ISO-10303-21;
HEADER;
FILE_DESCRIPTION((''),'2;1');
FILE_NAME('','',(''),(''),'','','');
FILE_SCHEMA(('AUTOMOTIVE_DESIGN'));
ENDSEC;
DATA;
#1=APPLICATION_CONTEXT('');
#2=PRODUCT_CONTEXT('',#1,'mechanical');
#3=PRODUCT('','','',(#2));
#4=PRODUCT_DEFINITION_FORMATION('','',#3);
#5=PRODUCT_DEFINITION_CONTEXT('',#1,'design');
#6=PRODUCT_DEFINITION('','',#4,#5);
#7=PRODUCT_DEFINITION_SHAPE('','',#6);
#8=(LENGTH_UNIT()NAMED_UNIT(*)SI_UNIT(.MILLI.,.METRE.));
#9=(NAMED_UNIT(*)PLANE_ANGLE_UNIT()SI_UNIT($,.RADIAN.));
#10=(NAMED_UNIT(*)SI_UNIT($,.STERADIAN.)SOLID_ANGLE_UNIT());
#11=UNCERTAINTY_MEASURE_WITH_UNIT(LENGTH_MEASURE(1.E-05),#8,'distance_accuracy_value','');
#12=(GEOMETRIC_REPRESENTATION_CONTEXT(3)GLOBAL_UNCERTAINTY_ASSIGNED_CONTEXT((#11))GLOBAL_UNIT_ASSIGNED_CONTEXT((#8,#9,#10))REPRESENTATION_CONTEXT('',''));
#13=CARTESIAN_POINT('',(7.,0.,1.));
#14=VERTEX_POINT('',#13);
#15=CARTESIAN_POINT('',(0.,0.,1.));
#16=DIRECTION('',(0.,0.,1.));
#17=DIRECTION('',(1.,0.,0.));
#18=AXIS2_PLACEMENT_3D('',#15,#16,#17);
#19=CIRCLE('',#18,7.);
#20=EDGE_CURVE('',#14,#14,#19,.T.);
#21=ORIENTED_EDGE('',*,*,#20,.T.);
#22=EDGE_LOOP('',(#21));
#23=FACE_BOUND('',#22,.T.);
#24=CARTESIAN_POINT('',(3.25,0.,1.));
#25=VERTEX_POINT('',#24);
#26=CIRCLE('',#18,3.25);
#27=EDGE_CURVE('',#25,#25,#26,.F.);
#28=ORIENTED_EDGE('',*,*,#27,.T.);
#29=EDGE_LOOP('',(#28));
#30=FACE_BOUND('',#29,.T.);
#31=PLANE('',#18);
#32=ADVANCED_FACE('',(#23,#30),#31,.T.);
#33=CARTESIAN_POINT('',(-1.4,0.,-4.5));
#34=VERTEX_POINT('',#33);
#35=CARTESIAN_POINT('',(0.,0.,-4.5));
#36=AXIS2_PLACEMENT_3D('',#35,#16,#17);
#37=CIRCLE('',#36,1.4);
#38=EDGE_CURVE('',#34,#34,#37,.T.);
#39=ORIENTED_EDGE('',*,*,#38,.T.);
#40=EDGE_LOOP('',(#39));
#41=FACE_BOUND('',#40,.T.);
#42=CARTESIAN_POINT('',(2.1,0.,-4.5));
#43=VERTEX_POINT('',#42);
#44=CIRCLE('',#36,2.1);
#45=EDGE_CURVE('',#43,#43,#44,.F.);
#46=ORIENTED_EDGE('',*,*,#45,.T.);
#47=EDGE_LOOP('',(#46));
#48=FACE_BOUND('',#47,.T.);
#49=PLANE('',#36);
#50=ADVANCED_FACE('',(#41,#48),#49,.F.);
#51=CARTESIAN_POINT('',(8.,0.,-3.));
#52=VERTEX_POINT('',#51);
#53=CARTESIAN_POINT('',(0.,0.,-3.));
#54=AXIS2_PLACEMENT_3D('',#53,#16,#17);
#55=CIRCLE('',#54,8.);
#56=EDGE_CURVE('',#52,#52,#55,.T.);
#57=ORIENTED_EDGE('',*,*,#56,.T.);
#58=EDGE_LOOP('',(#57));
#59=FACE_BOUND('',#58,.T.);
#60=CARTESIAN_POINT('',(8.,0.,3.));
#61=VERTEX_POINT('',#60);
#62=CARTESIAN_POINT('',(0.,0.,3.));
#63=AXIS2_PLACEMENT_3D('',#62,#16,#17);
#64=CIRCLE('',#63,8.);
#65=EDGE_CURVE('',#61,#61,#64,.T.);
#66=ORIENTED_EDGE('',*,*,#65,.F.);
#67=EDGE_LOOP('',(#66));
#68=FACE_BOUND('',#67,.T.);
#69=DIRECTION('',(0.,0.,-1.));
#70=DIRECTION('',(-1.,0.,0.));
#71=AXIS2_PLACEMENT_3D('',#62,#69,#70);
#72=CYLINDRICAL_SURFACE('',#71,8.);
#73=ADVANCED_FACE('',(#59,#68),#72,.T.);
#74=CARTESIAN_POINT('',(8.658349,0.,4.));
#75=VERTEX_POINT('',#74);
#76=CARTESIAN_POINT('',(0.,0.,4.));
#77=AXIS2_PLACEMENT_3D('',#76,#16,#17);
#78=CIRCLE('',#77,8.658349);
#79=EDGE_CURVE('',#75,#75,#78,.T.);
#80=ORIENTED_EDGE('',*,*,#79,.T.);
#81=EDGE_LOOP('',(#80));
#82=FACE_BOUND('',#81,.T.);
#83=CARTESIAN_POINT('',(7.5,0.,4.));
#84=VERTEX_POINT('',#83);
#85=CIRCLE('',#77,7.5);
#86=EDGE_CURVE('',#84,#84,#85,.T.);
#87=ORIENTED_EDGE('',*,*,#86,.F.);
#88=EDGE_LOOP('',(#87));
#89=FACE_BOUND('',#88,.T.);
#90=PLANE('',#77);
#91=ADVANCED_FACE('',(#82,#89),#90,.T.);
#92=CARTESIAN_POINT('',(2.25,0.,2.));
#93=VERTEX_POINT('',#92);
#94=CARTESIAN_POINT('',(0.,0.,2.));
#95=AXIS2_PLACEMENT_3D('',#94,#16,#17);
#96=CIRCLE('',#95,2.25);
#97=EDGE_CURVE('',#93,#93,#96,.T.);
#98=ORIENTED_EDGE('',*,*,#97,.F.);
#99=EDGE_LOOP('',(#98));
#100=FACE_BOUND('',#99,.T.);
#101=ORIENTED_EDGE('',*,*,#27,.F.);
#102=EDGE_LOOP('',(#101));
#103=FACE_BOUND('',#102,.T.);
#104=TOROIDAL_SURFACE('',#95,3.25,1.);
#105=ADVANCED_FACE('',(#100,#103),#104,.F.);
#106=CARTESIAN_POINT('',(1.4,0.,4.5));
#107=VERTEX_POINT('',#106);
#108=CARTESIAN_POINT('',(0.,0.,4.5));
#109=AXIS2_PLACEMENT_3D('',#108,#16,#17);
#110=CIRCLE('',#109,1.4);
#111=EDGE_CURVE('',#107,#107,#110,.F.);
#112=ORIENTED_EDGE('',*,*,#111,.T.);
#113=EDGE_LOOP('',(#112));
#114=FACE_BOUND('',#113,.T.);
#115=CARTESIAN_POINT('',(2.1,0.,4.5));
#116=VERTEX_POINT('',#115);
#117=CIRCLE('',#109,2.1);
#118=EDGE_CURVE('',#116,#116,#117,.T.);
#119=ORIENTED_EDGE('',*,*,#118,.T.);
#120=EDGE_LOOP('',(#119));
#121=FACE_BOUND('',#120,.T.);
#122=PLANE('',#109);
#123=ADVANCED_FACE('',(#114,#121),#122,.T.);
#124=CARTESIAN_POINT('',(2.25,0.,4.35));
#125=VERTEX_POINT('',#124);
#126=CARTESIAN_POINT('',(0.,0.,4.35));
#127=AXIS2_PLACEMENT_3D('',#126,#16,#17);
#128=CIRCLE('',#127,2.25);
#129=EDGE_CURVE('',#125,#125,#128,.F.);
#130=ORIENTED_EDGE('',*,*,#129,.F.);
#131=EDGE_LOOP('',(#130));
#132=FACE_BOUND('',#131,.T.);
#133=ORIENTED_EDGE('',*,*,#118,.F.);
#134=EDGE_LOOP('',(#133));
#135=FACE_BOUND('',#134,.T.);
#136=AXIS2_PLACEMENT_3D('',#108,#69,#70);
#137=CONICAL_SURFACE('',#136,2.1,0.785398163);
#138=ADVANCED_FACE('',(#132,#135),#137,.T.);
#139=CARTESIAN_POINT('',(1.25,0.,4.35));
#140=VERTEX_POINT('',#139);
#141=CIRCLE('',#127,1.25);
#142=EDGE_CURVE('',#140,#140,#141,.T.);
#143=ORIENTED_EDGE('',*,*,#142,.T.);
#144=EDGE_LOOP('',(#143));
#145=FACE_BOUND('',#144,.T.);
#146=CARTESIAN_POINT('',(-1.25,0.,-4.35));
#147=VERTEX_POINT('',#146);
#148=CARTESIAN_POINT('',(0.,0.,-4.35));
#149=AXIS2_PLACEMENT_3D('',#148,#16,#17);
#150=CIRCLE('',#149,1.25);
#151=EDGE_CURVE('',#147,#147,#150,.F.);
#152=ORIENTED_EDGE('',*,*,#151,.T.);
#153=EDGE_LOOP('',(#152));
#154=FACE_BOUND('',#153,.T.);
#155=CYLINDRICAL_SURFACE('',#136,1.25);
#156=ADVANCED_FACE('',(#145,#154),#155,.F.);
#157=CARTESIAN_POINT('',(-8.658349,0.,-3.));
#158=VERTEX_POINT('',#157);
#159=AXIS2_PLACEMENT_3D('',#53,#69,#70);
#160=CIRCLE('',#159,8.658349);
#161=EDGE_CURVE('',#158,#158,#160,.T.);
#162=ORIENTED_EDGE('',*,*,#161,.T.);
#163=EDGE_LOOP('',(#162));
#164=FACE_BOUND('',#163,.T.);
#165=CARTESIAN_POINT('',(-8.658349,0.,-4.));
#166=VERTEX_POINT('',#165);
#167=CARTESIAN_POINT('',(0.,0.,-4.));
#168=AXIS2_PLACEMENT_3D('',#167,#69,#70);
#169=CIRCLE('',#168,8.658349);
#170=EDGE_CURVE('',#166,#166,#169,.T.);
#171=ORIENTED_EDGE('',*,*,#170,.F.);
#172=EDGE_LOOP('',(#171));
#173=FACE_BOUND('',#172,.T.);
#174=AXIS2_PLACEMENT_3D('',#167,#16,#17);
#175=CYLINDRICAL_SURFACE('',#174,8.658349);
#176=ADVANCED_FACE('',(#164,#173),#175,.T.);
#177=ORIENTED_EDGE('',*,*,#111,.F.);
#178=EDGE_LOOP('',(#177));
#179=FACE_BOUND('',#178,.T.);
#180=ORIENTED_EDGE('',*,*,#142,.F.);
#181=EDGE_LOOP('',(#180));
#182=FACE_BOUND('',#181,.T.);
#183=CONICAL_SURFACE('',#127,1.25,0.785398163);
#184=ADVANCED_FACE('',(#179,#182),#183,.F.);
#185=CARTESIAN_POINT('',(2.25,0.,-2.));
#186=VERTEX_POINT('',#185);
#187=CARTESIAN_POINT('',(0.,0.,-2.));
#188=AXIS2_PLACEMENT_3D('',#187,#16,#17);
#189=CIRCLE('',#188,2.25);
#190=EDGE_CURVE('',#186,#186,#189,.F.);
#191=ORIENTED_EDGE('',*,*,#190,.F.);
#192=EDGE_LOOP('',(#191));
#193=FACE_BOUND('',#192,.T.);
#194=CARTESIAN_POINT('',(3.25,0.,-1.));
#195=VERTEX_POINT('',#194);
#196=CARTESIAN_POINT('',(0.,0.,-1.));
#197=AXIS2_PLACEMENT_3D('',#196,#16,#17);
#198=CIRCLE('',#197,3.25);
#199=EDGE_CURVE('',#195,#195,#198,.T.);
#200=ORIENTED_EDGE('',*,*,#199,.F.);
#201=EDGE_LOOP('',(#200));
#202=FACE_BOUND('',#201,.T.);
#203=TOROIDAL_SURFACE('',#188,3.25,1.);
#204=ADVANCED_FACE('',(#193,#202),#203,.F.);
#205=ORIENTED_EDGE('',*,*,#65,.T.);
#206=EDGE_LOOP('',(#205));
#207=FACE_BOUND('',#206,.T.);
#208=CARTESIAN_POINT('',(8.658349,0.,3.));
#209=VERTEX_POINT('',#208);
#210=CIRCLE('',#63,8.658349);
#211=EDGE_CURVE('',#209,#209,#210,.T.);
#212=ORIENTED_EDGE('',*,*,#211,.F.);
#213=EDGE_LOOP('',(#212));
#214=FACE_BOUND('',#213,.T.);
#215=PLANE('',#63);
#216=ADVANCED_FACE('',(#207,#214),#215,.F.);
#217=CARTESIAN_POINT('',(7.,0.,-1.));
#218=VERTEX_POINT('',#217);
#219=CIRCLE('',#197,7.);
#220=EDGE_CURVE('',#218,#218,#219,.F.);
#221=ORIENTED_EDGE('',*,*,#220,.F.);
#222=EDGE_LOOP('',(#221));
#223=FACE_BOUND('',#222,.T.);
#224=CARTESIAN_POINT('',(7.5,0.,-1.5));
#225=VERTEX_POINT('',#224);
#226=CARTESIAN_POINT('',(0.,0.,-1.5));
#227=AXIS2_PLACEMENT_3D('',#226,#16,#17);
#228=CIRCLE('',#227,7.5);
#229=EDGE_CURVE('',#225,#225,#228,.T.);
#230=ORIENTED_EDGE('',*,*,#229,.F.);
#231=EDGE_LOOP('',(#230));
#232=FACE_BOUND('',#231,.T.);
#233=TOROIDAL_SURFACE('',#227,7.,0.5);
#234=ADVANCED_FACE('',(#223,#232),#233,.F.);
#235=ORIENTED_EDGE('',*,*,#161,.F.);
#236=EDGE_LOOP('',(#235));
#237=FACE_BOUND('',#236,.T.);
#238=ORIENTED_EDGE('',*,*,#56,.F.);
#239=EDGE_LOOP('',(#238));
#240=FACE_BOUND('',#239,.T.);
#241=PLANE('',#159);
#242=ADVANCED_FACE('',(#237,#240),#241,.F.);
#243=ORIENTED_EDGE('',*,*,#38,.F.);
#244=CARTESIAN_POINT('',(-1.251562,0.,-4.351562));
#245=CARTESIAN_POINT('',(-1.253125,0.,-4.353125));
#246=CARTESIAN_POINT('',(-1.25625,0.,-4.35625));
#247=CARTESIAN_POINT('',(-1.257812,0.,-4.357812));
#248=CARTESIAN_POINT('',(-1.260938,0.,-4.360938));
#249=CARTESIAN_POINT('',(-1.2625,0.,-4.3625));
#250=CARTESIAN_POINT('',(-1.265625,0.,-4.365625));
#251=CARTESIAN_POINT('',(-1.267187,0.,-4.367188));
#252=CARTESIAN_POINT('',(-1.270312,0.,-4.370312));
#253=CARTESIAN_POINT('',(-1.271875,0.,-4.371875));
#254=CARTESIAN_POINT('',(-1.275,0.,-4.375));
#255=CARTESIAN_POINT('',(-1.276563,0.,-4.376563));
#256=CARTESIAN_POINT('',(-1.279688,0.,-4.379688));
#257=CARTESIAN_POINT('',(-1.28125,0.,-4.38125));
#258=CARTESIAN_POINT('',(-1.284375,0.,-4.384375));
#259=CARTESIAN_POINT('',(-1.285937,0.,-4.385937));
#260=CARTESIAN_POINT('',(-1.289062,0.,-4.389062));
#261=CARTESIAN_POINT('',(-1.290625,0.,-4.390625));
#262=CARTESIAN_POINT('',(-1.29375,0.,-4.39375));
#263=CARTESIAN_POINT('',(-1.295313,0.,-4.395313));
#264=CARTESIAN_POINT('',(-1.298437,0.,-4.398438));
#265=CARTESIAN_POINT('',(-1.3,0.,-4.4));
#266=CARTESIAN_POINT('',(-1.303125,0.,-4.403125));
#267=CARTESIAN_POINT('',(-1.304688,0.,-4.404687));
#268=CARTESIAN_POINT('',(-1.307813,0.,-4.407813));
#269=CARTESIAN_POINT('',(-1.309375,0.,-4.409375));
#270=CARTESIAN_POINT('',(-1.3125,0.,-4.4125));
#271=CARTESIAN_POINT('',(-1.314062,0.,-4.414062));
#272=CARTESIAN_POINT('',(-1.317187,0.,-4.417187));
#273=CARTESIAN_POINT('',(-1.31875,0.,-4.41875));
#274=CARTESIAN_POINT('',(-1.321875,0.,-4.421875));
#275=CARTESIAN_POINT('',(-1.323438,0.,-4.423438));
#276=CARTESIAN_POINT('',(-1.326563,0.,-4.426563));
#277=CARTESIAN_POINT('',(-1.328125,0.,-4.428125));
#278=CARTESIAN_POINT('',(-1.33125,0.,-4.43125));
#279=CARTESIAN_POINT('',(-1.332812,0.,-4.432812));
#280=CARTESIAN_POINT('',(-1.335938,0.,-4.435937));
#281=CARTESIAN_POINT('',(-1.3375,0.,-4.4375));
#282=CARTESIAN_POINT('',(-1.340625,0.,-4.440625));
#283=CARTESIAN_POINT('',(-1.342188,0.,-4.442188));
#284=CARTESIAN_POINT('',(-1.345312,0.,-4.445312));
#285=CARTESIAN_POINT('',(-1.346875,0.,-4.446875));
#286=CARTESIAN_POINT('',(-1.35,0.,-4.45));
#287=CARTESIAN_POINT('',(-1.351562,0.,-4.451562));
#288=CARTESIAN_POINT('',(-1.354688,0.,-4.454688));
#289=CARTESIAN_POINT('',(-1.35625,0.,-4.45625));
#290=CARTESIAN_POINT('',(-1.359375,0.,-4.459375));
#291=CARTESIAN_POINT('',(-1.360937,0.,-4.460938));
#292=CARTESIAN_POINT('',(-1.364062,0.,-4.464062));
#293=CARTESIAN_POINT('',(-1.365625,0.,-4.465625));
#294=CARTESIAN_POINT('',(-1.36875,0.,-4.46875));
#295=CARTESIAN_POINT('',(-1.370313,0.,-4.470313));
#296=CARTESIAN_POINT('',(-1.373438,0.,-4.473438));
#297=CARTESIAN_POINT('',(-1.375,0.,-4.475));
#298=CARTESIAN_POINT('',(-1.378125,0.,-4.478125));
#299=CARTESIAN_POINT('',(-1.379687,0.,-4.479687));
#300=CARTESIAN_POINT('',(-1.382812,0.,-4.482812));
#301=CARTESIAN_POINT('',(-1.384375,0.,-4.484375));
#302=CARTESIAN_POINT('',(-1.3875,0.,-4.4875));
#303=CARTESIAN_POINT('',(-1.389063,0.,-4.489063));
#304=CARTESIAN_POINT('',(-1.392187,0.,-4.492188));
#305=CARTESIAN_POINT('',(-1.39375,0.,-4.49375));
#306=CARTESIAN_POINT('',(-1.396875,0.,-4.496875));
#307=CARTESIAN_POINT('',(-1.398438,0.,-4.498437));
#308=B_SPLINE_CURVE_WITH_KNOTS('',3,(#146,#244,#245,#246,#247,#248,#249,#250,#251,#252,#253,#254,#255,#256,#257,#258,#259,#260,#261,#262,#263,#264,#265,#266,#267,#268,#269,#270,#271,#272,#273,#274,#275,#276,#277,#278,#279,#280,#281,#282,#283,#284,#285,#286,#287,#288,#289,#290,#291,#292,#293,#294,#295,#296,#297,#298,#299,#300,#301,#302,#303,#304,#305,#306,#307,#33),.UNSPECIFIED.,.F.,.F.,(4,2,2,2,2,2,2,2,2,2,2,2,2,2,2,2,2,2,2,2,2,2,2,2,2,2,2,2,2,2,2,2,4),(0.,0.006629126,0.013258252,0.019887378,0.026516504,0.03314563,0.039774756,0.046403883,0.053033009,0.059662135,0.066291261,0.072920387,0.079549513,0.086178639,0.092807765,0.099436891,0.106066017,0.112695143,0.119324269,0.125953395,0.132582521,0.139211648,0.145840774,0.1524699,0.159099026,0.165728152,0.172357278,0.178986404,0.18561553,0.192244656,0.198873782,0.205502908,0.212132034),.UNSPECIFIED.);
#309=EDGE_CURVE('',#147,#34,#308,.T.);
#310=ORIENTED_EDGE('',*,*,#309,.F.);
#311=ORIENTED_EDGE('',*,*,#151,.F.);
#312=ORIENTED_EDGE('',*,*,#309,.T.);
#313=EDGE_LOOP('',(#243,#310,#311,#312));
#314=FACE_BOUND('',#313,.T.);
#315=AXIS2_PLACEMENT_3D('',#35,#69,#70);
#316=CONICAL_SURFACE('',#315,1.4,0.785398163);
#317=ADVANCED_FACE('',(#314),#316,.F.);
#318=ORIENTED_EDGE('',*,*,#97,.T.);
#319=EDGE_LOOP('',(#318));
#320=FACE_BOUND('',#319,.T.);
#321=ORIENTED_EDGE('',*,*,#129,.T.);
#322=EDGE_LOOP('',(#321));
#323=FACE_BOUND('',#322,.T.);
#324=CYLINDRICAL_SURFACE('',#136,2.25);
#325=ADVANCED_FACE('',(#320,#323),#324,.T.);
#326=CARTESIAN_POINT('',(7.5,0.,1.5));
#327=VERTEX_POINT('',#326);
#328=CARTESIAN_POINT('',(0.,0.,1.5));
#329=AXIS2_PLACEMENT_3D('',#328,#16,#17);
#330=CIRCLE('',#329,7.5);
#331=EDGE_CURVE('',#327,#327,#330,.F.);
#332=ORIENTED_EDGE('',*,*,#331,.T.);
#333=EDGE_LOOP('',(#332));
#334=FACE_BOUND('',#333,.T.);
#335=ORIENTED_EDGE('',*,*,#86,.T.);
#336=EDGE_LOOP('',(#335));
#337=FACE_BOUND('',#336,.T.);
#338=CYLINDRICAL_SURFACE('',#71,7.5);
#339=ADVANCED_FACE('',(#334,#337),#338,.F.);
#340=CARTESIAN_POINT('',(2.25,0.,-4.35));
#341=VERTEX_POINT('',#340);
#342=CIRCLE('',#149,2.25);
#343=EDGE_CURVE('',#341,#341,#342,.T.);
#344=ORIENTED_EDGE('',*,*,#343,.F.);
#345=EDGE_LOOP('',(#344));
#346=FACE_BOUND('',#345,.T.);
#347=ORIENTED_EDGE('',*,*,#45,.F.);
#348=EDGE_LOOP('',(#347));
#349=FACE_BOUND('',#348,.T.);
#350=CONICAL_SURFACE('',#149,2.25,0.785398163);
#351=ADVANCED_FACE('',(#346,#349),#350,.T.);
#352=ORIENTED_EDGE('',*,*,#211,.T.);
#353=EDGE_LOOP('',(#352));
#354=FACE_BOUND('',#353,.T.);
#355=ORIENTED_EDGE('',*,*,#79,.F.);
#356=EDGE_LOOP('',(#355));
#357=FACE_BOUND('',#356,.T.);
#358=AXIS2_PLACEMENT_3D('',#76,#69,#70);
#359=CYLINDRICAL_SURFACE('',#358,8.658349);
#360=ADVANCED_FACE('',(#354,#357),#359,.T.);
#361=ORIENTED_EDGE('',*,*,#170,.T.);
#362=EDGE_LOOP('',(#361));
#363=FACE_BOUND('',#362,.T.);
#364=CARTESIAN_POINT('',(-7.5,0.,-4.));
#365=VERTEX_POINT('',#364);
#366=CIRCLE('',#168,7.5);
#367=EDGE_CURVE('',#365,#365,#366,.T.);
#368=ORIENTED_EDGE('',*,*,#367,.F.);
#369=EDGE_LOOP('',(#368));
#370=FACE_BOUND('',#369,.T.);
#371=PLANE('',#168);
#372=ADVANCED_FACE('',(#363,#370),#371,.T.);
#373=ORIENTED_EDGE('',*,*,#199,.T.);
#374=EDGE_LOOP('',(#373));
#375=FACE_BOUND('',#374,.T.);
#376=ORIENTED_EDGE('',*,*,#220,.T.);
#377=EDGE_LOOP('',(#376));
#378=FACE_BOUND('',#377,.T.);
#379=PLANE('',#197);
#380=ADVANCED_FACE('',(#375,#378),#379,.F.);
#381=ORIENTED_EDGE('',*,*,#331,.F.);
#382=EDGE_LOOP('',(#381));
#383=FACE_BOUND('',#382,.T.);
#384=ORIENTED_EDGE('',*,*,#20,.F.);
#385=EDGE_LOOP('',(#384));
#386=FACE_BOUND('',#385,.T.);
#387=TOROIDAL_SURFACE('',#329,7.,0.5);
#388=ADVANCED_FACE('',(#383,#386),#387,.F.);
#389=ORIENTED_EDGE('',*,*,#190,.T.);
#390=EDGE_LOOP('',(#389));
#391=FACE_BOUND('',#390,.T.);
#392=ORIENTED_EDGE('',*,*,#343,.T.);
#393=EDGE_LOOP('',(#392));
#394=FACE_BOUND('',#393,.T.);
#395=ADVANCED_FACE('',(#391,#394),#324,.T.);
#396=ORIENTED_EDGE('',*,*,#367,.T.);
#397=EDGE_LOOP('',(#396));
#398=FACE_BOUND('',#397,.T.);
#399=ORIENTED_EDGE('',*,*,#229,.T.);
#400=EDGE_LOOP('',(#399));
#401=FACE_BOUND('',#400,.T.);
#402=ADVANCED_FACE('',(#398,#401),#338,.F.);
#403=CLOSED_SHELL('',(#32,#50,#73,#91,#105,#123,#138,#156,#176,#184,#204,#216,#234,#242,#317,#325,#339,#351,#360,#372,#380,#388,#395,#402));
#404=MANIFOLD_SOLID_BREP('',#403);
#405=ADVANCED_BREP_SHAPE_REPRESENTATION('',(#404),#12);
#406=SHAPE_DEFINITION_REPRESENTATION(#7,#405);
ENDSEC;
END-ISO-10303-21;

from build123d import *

# Parameters (mm, degrees)
SKETCH1_R           = 2.25
SKETCH1_R_2         = 1.25
BOSS_EXTRUDE1_DEPTH = 4.5
SKETCH2_R           = 7.650801396
SKETCH2_R_2         = 2.25
BOSS_EXTRUDE2_DEPTH = 1
FILLET2_R           = 1
FILLET3_R           = 1
SKETCH3_R           = 8
SKETCH3_R_2         = 7.5
BOSS_EXTRUDE3_DEPTH = 3
FILLET4_R           = 0.5
SKETCH4_R           = 8.658348899
SKETCH4_R_2         = 7.5
BOSS_EXTRUDE4_DEPTH = 1
BOSS_EXTRUDE5_START = 1
SKETCH5_R           = 8.658348899
SKETCH5_R_2         = 7.5
BOSS_EXTRUDE5_DEPTH = 1
CHAMFER1_SIZE       = 0.15


with BuildPart() as part:
    # Sketch1 → Boss-Extrude1 (new, symmetric)
    with BuildSketch(Plane.XY):
        Circle(SKETCH1_R)
        Circle(SKETCH1_R_2, mode=Mode.SUBTRACT)
    extrude(amount=BOSS_EXTRUDE1_DEPTH, both=True)

    # Sketch2 → Boss-Extrude2 (add, symmetric)
    with BuildSketch(Plane.XY):
        Circle(SKETCH2_R)
        Circle(SKETCH2_R_2, mode=Mode.SUBTRACT)
    extrude(amount=BOSS_EXTRUDE2_DEPTH, both=True)

    # Fillet2
    fillet2_edges = [part.edges().sort_by_distance(p)[0] for p in [
        (-2.25, 0, 1),
    ]]
    fillet(fillet2_edges, radius=FILLET2_R)

    # Fillet3
    fillet3_edges = [part.edges().sort_by_distance(p)[0] for p in [
        (-2.25, 0, -1),
    ]]
    fillet(fillet3_edges, radius=FILLET3_R)

    # Sketch3 → Boss-Extrude3 (add, symmetric)
    with BuildSketch(Plane.XY):
        Circle(SKETCH3_R)
        Circle(SKETCH3_R_2, mode=Mode.SUBTRACT)
    extrude(amount=BOSS_EXTRUDE3_DEPTH, both=True)

    # Fillet4
    fillet4_edges = [part.edges().sort_by_distance(p)[0] for p in [
        (-7.5, 0, 1),
        (-7.5, 0, -1),
    ]]
    fillet(fillet4_edges, radius=FILLET4_R)

    # Sketch4 → Boss-Extrude4 (add)
    with BuildSketch(Plane.XY.offset(3)):
        Circle(SKETCH4_R)
        Circle(SKETCH4_R_2, mode=Mode.SUBTRACT)
    extrude(amount=BOSS_EXTRUDE4_DEPTH)

    # Sketch5 → Boss-Extrude5 (add)
    with BuildSketch(Plane(origin=(0, 0, -3), x_dir=(-1, 0, 0), z_dir=(0, 0, -1)).offset(BOSS_EXTRUDE5_START)):
        with Locations(Location((0, 0, 0), (0, 0, 180))):
            Circle(SKETCH5_R)
        Circle(SKETCH5_R_2, mode=Mode.SUBTRACT)
    extrude(amount=-BOSS_EXTRUDE5_DEPTH)

    # Chamfer1
    chamfer1_edges = [part.edges().sort_by_distance(p)[0] for p in [
        (-2.25, 0, -4.5),
        (-2.25, 0, 4.5),
        (-1.25, 0, -4.5),
        (-1.25, 0, 4.5),
    ]]
    chamfer(chamfer1_edges, length=CHAMFER1_SIZE)


solid = part.part
